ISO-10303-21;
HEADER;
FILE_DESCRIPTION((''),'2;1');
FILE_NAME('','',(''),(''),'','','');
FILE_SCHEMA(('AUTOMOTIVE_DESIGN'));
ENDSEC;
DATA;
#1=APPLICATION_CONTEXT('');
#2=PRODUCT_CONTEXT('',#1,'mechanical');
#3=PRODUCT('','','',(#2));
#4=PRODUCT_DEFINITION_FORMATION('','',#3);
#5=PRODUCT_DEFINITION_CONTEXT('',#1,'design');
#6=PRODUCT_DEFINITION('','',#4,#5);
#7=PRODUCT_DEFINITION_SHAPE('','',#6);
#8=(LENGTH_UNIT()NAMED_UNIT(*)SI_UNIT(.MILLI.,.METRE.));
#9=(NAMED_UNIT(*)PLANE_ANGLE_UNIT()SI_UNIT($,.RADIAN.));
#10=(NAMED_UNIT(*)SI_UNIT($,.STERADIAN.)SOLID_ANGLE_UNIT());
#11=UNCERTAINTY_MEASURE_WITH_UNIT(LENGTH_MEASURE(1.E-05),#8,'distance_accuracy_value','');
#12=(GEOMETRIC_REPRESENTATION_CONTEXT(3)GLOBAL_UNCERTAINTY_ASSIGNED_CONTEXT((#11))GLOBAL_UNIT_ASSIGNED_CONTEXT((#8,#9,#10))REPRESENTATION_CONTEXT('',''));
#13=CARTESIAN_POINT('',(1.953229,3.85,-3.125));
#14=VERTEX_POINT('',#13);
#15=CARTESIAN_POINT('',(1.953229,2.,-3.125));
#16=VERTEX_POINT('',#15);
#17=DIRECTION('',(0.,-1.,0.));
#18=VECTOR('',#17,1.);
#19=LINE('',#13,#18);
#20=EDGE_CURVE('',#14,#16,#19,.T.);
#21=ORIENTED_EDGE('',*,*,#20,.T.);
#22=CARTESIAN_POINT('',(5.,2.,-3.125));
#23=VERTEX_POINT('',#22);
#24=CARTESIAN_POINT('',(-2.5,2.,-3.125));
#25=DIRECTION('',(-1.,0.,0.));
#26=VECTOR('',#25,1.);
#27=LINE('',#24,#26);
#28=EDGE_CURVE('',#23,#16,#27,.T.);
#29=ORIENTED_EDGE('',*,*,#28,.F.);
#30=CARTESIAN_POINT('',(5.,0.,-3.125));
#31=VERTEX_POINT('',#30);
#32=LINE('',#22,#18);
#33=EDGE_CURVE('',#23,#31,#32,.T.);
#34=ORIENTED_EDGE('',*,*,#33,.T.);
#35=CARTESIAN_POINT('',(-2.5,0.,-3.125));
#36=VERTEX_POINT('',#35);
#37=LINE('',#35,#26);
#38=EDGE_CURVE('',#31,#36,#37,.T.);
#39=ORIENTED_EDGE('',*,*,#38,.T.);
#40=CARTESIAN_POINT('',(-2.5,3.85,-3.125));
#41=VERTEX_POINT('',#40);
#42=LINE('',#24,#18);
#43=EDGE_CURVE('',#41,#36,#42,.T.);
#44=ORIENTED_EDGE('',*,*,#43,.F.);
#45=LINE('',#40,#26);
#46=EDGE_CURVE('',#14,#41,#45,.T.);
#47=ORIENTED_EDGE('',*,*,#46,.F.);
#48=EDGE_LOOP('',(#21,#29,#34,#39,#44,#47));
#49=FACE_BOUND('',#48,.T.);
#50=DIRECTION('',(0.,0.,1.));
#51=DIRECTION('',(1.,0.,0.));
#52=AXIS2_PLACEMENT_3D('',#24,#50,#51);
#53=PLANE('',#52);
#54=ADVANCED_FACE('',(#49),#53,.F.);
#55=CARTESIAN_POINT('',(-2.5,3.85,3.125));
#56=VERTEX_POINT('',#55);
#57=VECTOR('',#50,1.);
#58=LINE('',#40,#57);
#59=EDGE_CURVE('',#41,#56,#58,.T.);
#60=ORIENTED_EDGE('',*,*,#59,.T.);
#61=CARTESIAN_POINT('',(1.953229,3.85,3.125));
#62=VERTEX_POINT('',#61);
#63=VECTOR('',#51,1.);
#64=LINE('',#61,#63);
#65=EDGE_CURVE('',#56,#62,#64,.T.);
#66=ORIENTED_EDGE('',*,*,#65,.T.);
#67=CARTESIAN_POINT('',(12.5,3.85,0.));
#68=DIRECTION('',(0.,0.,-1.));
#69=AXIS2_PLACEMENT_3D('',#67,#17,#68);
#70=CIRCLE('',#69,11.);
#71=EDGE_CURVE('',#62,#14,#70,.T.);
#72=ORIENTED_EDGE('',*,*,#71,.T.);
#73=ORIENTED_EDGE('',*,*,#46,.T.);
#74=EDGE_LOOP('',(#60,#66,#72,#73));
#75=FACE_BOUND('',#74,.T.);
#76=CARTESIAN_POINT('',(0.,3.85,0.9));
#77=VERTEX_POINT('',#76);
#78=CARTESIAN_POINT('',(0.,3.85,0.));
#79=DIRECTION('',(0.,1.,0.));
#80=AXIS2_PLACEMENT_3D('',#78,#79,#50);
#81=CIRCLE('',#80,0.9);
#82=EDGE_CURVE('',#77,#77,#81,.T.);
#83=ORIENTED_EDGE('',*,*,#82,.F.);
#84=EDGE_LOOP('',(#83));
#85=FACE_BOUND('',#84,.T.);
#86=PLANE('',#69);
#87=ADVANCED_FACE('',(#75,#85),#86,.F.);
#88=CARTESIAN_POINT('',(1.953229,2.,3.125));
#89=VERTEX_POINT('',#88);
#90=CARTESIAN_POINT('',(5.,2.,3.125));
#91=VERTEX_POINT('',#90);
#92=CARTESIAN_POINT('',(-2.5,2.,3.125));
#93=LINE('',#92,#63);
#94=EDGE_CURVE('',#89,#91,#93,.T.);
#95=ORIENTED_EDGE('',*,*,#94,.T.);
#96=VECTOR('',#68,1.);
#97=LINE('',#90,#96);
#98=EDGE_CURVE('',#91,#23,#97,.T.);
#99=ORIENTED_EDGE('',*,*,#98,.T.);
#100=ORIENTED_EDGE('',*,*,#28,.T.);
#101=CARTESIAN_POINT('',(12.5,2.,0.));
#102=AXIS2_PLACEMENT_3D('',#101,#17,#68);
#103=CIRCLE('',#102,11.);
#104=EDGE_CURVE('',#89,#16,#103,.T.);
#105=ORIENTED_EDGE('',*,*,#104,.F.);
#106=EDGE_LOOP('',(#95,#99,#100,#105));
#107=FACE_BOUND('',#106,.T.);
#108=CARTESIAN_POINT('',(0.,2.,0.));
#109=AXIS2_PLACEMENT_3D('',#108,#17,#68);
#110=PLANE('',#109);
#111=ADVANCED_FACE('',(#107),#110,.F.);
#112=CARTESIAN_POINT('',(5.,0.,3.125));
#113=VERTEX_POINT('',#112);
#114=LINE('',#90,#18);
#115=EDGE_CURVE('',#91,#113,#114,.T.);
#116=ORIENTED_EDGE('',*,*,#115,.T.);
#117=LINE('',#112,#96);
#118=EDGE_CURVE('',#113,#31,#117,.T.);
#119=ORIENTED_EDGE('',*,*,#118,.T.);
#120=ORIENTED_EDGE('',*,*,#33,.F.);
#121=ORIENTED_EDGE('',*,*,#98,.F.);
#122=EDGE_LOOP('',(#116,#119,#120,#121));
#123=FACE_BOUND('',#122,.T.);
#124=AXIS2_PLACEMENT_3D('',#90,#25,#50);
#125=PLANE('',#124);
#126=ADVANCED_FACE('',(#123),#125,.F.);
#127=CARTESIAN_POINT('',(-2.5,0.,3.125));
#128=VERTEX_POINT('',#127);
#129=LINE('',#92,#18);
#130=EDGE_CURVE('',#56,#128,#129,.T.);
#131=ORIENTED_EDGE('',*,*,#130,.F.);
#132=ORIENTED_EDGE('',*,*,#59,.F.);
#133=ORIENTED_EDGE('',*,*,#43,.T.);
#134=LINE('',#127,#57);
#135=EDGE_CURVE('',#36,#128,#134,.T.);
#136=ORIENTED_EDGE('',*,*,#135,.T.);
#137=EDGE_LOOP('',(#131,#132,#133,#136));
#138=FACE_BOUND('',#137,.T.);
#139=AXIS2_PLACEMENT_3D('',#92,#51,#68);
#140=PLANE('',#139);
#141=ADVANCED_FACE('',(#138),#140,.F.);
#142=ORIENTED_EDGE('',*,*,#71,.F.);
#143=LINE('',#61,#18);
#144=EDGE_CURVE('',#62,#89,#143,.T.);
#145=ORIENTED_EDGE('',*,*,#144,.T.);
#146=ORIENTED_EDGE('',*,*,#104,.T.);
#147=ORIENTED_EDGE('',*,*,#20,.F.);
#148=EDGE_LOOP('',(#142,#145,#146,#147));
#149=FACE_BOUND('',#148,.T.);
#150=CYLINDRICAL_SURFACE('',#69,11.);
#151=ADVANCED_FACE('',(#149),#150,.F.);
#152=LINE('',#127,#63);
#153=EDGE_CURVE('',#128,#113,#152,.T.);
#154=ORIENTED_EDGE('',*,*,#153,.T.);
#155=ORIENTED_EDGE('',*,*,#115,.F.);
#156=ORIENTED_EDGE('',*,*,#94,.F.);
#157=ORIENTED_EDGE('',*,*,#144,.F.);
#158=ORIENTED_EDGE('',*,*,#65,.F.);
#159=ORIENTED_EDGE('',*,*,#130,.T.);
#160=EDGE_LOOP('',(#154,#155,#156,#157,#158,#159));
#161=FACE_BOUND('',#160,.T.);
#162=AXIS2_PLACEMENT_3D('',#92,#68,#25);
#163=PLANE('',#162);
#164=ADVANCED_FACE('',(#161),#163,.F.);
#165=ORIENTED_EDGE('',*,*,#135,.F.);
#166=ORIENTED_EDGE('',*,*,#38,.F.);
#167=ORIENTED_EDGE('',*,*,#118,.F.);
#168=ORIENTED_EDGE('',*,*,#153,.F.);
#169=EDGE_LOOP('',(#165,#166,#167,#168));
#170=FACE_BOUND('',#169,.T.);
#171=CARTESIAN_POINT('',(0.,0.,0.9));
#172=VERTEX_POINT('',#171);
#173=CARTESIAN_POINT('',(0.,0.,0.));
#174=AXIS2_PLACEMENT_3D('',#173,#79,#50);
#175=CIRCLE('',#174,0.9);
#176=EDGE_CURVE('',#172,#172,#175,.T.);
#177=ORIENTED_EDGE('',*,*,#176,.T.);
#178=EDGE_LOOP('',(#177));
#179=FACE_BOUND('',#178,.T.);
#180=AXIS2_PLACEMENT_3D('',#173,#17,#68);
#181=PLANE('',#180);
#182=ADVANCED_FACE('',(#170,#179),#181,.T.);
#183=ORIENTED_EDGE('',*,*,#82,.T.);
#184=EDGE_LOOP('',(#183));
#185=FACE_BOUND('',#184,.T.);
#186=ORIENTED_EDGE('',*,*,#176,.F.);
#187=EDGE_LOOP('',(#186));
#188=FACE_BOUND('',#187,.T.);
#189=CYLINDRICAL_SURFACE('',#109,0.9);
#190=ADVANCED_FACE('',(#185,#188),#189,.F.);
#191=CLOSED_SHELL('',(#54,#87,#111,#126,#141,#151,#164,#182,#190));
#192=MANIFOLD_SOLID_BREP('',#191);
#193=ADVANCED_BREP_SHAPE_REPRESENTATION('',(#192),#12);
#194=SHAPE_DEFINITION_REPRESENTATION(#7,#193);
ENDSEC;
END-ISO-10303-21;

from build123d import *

# Parameters (mm, degrees)
SKETCH3_W           = 7.5
SKETCH3_H           = 6.25
SKETCH3_R           = 0.9
BOSS_EXTRUDE1_DEPTH = 2
SKETCH6_R           = 0.9
BOSS_EXTRUDE3_DEPTH = 1.85


with BuildPart() as part:
    # Sketch3 → Boss-Extrude1 (new body)
    with BuildSketch(Plane(origin=(0, 0, 0), x_dir=(1, 0, 0), z_dir=(0, 1, 0))):
        with Locations((1.25, 0)):
            Rectangle(SKETCH3_W, SKETCH3_H)
        with Locations(Location((0, 0, 0), (0, 0, 270))):
            Circle(SKETCH3_R, mode=Mode.SUBTRACT)
    extrude(amount=BOSS_EXTRUDE1_DEPTH)

    # Sketch6 → Boss-Extrude3 (add)
    with BuildSketch(Plane(origin=(0, 2, 0), x_dir=(1, 0, 0), z_dir=(0, 1, 0))):
        with BuildLine():
            Line((-2.5, 3.125), (-2.5, -3.125))
            Line((-2.5, -3.125), (1.953229167, -3.125))
            ThreePointArc((1.953229167, -3.125), (1.5, 0), (1.953229167, 3.125))
            Line((1.953229167, 3.125), (-2.5, 3.125))
        make_face()
        with Locations(Location((0, 0, 0), (0, 0, 270))):
            Circle(SKETCH6_R, mode=Mode.SUBTRACT)
    extrude(amount=BOSS_EXTRUDE3_DEPTH)


solid = part.part
